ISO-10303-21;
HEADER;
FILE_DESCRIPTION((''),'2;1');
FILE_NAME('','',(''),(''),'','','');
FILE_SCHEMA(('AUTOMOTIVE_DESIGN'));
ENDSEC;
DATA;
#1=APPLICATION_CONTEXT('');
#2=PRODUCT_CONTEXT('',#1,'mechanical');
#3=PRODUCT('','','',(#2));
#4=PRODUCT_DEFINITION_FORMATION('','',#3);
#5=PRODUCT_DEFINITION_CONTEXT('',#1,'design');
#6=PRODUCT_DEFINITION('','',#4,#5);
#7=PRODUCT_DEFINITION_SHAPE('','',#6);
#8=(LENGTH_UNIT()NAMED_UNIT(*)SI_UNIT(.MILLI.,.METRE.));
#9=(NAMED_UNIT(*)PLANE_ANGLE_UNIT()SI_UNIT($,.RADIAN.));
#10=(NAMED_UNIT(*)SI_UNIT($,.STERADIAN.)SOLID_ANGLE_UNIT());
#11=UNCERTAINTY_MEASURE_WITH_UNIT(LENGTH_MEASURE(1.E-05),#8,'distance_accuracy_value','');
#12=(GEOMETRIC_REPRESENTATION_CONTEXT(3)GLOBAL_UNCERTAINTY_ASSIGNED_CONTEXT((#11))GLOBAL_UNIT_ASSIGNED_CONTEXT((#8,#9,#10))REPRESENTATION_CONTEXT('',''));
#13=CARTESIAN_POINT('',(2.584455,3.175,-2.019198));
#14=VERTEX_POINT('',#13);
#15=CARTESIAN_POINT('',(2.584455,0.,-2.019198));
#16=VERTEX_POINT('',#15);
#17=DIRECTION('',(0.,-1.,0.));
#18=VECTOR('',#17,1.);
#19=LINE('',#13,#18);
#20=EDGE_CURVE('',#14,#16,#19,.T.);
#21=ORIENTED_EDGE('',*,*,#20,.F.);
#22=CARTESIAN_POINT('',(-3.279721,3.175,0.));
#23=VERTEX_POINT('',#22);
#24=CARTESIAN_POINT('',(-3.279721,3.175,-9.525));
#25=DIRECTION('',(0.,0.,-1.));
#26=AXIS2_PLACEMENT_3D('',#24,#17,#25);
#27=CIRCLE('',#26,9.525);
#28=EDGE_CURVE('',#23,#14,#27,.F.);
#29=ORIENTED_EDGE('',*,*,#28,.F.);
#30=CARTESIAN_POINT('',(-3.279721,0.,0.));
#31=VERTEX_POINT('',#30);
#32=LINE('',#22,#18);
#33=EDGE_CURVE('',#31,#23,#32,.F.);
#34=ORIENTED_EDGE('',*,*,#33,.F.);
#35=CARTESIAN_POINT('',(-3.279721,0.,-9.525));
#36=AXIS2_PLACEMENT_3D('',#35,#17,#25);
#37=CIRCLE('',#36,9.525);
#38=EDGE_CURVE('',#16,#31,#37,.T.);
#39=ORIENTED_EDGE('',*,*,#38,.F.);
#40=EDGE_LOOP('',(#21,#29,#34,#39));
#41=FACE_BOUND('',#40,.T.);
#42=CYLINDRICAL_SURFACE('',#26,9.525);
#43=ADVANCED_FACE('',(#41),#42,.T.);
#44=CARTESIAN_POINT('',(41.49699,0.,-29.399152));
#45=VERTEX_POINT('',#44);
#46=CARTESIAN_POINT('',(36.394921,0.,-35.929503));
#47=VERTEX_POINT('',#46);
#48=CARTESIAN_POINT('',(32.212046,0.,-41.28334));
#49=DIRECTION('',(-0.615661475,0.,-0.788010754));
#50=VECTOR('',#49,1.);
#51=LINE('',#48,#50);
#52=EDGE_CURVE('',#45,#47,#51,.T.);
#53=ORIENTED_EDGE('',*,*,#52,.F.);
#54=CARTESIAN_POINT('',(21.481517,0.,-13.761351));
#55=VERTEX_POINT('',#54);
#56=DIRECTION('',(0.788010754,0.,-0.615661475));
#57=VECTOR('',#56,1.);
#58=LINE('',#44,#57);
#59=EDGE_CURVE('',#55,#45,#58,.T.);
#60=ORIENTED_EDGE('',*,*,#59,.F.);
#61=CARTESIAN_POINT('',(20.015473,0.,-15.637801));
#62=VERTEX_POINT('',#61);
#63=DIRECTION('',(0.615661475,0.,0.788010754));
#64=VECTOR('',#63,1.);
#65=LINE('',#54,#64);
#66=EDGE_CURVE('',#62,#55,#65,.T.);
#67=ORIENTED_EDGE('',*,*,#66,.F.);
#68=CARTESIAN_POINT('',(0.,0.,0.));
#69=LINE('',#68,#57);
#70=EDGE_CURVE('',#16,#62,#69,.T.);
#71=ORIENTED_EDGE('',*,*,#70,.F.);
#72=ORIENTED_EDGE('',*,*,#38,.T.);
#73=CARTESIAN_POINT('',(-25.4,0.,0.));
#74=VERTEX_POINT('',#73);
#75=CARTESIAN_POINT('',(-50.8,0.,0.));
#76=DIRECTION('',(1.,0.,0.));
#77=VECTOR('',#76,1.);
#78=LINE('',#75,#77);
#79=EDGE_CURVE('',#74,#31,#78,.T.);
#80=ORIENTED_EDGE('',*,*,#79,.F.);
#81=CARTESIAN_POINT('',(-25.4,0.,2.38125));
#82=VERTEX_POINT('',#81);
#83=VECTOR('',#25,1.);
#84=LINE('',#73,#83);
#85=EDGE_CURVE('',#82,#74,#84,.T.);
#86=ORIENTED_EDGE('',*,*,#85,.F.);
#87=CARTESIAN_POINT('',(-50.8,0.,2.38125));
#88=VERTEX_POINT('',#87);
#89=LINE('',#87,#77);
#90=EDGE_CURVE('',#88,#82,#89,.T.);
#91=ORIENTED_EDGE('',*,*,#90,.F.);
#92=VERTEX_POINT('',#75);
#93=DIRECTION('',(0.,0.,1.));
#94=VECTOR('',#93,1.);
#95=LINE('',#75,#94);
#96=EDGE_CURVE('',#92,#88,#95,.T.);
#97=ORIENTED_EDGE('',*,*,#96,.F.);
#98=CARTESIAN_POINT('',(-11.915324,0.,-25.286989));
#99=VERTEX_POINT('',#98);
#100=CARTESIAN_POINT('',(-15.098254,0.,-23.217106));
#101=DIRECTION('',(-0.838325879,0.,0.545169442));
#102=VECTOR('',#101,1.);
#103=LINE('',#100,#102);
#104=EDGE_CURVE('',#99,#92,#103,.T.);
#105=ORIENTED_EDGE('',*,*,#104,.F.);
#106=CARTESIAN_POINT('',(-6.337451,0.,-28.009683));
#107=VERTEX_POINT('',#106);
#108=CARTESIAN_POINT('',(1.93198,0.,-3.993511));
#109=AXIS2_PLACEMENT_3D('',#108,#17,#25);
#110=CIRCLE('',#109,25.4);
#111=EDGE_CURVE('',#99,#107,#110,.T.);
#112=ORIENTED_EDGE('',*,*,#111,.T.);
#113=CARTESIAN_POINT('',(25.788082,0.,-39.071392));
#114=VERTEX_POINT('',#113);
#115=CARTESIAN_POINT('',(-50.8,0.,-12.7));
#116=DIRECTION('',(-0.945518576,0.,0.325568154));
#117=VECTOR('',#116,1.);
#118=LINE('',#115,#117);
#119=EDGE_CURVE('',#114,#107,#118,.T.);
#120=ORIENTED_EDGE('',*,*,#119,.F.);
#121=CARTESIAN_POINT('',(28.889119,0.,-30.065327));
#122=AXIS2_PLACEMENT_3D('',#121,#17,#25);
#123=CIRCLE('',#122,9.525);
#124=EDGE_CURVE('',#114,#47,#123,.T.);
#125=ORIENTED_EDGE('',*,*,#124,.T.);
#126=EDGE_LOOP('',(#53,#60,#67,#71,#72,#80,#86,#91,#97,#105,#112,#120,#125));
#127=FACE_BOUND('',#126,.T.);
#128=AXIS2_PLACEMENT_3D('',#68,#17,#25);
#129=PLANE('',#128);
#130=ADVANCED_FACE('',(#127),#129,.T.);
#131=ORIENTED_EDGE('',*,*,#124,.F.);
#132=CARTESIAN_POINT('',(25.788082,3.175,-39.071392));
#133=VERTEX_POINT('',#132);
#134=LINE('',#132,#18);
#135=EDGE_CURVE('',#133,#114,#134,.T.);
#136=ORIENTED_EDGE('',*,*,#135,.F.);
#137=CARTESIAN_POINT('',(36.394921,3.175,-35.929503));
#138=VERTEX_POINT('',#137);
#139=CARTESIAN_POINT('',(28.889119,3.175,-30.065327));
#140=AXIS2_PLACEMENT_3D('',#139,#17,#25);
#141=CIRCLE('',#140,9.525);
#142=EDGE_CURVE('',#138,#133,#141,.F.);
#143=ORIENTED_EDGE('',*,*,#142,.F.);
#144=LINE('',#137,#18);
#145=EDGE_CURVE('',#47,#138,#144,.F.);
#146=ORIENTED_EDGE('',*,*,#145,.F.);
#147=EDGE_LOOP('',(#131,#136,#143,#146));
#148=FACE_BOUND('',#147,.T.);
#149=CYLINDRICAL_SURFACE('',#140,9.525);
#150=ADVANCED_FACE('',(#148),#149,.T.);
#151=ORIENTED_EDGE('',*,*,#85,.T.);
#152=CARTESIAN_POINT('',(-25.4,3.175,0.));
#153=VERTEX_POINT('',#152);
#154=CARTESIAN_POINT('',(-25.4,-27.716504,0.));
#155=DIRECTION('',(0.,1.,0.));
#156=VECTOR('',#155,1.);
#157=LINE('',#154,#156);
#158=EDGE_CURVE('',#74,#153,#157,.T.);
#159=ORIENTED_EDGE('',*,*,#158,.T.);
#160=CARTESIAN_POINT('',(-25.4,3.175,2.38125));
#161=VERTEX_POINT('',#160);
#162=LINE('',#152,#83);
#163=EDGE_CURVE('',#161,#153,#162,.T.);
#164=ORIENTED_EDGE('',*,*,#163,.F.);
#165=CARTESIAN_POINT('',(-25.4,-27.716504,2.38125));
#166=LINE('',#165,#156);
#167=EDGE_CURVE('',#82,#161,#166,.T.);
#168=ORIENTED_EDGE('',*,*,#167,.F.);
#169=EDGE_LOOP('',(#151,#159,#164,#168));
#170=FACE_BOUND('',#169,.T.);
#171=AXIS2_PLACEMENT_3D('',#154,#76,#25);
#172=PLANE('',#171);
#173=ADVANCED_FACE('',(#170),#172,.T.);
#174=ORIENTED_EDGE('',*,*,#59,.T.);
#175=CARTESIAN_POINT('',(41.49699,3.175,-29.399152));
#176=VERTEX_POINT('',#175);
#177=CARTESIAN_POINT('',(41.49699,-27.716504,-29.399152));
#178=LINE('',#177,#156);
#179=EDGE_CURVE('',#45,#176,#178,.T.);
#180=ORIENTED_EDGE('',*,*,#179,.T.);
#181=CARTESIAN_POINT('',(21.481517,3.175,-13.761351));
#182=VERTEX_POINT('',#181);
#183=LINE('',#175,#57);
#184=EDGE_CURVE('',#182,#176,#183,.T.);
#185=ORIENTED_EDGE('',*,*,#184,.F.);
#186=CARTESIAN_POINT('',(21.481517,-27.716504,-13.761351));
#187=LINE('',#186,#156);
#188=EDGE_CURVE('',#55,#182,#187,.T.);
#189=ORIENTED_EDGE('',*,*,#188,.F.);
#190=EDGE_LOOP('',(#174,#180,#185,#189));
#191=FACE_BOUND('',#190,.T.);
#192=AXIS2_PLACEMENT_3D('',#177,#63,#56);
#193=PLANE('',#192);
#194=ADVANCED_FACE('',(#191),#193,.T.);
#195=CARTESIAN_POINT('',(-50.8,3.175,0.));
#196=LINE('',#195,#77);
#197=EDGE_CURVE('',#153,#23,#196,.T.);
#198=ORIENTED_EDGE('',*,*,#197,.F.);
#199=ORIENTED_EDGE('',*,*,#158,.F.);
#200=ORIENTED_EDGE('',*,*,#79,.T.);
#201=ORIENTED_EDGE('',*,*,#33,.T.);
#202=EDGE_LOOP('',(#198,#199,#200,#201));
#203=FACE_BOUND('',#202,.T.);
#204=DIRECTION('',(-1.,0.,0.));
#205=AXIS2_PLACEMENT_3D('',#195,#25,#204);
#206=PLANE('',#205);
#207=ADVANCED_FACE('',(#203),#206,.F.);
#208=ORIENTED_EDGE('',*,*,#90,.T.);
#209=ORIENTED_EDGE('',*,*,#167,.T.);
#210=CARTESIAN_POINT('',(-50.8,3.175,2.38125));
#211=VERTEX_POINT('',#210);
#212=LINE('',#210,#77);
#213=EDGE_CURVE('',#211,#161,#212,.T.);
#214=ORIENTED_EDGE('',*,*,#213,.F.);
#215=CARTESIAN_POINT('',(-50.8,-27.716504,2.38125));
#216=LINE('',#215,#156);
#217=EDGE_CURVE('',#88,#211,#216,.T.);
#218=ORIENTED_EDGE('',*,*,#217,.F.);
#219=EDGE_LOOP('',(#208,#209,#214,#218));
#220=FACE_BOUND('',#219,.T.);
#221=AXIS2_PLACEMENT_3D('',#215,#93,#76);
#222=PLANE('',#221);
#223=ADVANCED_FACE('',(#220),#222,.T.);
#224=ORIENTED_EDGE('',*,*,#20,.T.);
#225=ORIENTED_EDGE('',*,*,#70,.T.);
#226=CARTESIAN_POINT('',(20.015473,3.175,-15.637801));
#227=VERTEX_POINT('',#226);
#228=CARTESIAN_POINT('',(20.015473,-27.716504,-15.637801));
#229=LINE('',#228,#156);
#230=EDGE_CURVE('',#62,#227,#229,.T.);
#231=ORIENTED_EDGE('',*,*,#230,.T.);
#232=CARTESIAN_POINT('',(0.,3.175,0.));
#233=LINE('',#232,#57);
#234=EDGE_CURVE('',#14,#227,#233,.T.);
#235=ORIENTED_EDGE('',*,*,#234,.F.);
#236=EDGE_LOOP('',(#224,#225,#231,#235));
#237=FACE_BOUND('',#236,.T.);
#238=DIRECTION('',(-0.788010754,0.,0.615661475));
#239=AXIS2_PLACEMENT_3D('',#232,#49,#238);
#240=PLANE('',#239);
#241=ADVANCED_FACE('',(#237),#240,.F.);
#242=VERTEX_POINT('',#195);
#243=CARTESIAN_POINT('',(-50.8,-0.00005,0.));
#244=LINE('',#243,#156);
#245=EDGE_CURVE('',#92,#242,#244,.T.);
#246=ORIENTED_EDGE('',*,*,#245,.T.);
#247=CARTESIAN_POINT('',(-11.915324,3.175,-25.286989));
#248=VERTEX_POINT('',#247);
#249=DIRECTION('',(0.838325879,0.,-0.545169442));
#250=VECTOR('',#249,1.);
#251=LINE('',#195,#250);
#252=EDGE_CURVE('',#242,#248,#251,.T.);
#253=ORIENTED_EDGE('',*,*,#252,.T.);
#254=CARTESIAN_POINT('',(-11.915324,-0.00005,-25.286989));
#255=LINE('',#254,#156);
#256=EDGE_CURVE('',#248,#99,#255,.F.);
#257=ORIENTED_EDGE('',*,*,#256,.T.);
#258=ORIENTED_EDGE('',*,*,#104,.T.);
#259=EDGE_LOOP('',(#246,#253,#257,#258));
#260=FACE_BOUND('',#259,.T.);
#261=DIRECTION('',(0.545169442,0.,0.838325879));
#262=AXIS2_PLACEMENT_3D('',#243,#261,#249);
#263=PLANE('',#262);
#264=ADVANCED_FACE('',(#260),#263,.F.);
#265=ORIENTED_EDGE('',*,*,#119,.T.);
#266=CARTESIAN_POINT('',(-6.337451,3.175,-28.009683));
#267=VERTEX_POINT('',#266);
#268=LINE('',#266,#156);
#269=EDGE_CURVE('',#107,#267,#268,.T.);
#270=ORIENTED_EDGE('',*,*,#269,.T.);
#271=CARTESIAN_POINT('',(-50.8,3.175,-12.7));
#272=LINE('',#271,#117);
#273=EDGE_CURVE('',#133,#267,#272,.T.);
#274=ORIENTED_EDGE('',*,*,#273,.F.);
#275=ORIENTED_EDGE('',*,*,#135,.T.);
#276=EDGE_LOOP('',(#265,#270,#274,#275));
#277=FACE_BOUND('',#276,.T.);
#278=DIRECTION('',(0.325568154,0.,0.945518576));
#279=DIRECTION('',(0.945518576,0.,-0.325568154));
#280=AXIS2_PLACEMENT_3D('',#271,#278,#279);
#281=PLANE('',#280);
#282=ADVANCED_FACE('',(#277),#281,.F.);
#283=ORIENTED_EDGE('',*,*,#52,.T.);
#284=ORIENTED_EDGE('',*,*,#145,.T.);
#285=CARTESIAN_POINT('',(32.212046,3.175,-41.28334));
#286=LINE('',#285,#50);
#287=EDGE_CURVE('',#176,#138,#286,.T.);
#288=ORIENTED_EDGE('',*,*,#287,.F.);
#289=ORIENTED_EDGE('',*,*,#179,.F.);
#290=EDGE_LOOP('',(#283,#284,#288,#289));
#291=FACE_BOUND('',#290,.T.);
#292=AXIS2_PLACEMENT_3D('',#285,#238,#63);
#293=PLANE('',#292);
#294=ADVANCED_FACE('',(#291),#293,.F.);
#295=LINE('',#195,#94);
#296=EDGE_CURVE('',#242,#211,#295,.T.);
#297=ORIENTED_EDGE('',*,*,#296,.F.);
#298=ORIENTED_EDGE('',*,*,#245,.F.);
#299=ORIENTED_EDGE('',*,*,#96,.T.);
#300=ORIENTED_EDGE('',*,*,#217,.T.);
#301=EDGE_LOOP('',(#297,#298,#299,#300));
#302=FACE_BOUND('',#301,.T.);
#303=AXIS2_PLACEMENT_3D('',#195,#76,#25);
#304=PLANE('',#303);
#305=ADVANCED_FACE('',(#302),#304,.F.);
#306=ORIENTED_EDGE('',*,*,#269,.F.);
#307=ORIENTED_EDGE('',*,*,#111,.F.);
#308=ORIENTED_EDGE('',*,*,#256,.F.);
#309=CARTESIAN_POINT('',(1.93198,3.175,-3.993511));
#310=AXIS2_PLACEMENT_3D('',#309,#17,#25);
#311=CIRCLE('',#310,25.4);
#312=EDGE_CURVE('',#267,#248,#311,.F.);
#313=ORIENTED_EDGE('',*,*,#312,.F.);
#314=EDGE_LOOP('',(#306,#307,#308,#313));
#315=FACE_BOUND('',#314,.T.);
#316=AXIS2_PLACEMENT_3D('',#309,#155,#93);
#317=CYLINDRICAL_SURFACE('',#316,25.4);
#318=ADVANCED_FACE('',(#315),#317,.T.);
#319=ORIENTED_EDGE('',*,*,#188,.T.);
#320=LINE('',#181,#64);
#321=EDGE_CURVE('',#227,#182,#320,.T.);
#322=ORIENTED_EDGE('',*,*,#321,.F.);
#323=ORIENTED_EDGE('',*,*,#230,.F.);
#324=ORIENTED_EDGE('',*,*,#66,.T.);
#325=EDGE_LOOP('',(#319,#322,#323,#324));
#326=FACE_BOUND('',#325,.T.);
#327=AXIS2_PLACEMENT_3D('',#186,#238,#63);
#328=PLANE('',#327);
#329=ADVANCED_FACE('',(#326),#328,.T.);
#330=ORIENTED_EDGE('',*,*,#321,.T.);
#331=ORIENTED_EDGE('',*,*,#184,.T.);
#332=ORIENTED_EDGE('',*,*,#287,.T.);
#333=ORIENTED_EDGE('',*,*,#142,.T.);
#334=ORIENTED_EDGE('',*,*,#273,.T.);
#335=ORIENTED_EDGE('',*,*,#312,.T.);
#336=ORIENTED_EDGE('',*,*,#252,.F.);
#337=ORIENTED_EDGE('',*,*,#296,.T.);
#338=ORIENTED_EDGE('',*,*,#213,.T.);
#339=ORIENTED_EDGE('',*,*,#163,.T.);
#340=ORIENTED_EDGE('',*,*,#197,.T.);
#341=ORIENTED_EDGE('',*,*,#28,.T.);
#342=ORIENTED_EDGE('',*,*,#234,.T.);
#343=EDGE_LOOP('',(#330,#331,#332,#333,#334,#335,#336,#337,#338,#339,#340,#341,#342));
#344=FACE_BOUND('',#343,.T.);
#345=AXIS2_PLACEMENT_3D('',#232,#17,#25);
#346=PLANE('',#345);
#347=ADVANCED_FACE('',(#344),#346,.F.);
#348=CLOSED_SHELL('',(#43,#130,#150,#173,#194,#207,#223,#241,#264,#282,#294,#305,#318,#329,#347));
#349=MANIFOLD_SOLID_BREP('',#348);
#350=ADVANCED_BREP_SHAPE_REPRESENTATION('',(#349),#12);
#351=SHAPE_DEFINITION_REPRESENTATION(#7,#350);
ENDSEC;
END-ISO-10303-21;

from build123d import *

# Parameters (mm, degrees)
BOSS_EXTRUDE1_DEPTH = 3.175
SKETCH2_W           = 25.4
SKETCH2_H           = 2.38125
BOSS_EXTRUDE2_DEPTH = 3.175
FILLET1_R           = 9.525
CUT_EXTRUDE1_DEPTH  = 4.175
FILLET2_R           = 25.4


with BuildPart() as part:
    # Sketch1 → Boss-Extrude1 (new body)
    with BuildSketch(Plane(origin=(0, 0, 0), x_dir=(1, 0, 0), z_dir=(0, 1, 0))):
        Polygon((-50.8, 0), (0, 0), (40.030946283, 31.275602947), (32.212045547, 41.283339517), (-50.8, 12.7), align=None)
    extrude(amount=BOSS_EXTRUDE1_DEPTH)

    # Sketch2 → Boss-Extrude2 (add)
    with BuildSketch(Plane(origin=(0, 3.175, 0), x_dir=(1, 0, 0), z_dir=(0, 1, 0))):
        Polygon((20.015473142, 15.637801473), (40.030946283, 31.275602947), (41.496990171, 29.39915234), (21.48151703, 13.761350866), align=None)
        with Locations((-38.1, -1.190625)):
            Rectangle(SKETCH2_W, SKETCH2_H)
    extrude(amount=-BOSS_EXTRUDE2_DEPTH)

    # Fillet1
    fillet1_edges = [part.edges().sort_by_distance(p)[0] for p in [
        (-50.8, 1.5875, -12.7),
        (32.212045547, 1.5875, -41.283339517),
        (0, 1.5875, 0),
    ]]
    fillet(fillet1_edges, radius=FILLET1_R)

    # Sketch3 → Cut-Extrude1 (cut, through all)
    with BuildSketch(Plane(origin=(0, 3.175, 0), x_dir=(1, 0, 0), z_dir=(0, 1, 0))):
        with BuildLine():
            Line((-50.8, 0), (-9.293977227, 26.991669759))
            Line((-9.293977227, 26.991669759), (-44.376036671, 14.911947961))
            ThreePointArc((-44.376036671, 14.911947961), (-49.029450312, 11.437079181), (-50.8, 5.905883528))
            Line((-50.8, 5.905883528), (-50.8, 0))
        make_face()
    extrude(amount=-CUT_EXTRUDE1_DEPTH, mode=Mode.SUBTRACT)

    # Fillet2
    fillet2_edges = [part.edges().sort_by_distance(p)[0] for p in [
        (-9.293977227, 1.5875, -26.991669759),
    ]]
    fillet(fillet2_edges, radius=FILLET2_R)


solid = part.part
